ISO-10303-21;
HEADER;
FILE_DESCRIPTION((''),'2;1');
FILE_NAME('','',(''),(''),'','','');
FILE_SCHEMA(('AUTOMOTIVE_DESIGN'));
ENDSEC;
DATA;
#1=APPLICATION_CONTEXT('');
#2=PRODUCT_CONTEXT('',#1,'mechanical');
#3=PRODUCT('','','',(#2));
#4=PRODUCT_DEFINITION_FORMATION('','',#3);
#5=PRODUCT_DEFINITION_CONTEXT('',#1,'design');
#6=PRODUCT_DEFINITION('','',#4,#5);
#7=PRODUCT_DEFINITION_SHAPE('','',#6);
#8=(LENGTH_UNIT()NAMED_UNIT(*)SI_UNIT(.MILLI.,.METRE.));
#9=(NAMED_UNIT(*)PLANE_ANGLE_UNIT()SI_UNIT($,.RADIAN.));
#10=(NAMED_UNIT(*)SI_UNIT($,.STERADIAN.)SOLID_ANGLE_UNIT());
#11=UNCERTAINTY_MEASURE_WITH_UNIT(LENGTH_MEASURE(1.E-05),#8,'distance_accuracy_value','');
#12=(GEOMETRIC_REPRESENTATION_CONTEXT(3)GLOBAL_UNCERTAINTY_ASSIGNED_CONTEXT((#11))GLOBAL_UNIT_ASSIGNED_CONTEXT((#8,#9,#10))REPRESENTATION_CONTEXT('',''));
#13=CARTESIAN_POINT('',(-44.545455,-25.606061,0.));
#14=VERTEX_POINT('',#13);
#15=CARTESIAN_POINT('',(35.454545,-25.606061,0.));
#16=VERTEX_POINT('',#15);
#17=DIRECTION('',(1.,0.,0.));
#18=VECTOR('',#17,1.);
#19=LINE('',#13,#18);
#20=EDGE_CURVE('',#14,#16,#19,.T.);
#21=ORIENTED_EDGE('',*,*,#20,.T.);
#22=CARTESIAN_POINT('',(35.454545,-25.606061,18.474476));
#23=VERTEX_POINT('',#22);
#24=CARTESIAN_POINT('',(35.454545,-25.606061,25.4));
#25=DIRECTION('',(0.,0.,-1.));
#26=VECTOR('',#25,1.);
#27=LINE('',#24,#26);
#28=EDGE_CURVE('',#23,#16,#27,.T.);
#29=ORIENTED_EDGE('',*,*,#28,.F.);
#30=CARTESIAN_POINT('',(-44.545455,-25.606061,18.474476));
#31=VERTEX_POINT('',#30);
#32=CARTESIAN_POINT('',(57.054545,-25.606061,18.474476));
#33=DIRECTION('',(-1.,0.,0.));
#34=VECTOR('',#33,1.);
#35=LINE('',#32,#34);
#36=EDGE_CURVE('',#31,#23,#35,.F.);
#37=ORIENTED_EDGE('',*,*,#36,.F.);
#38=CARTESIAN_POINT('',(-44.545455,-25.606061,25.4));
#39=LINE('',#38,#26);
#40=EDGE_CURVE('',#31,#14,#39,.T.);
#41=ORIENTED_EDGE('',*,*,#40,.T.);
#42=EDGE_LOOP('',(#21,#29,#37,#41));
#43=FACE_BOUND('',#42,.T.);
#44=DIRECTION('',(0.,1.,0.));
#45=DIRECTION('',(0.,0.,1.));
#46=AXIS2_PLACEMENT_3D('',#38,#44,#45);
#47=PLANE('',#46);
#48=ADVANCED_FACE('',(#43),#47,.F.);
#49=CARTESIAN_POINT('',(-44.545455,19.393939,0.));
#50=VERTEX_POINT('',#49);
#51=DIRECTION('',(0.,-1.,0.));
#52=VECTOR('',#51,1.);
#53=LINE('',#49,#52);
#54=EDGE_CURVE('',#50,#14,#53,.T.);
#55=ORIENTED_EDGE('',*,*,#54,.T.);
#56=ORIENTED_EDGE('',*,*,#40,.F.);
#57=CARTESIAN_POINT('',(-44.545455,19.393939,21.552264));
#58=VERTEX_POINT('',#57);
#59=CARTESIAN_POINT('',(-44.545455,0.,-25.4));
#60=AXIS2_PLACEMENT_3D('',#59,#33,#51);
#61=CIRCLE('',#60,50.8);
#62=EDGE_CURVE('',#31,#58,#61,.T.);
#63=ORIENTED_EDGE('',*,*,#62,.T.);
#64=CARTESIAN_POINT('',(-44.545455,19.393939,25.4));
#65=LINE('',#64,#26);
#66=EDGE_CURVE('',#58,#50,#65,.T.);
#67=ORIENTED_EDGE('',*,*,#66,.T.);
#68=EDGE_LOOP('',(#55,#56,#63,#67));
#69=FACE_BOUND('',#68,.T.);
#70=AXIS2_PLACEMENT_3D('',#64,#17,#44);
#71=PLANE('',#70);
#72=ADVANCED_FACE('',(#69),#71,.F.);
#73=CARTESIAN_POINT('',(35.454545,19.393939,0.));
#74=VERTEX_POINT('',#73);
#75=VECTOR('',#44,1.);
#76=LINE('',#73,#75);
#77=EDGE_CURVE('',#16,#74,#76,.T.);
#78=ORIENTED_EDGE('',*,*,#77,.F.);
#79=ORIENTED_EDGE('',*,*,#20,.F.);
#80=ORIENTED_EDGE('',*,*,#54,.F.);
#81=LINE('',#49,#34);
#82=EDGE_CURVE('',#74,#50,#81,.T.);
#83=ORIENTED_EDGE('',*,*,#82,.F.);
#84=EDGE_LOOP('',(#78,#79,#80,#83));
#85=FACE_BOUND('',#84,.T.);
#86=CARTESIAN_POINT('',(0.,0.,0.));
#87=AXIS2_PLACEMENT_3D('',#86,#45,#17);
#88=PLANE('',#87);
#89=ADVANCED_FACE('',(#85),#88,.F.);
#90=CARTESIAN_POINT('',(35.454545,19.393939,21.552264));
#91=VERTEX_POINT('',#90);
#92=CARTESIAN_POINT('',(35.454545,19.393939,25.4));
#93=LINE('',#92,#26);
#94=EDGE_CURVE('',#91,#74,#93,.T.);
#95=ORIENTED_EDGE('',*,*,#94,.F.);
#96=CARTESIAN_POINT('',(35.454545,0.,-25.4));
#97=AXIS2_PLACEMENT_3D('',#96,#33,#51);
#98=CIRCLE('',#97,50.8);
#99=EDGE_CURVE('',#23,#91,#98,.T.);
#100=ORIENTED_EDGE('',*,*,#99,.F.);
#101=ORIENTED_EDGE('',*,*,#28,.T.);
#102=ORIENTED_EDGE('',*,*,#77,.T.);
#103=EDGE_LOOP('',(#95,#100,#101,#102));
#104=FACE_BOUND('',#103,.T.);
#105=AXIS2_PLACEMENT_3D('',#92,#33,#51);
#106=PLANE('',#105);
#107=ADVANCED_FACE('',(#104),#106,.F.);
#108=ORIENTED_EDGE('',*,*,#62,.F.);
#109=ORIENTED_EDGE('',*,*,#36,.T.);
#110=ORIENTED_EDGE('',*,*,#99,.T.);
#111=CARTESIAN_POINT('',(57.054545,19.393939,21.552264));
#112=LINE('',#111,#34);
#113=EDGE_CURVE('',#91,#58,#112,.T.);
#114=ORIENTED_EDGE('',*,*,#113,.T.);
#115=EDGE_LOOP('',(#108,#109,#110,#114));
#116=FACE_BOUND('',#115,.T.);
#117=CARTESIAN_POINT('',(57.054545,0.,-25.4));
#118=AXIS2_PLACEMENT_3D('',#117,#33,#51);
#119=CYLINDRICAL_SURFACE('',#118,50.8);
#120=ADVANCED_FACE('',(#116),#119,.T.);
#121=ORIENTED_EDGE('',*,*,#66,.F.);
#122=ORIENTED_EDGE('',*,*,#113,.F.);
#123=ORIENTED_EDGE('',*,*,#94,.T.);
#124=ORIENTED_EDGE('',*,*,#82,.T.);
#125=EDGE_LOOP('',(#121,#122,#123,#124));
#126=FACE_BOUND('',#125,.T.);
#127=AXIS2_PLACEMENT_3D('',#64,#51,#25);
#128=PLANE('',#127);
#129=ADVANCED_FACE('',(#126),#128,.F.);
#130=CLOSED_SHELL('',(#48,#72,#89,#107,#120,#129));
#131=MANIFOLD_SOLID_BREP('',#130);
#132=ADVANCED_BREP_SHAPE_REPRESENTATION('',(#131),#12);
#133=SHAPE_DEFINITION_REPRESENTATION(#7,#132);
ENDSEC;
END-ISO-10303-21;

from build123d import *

# Parameters (mm, degrees)
SKETCH1_W           = 80
SKETCH1_H           = 45
BOSS_EXTRUDE1_DEPTH = 25.4
CUT_EXTRUDE5_DEPTH  = 101.6


with BuildPart() as part:
    # Sketch1 → Boss-Extrude1 (new body)
    with BuildSketch(Plane.XY):
        with Locations((-4.545454545, -3.106060606)):
            Rectangle(SKETCH1_W, SKETCH1_H)
    extrude(amount=BOSS_EXTRUDE1_DEPTH)

    # Sketch2 → Cut-Extrude5 (cut)
    with BuildSketch(Plane.ZY.offset(44.545454545)):
        with BuildLine():
            ThreePointArc((21.552264214, 19.393939394), (24.428781954, 9.885974356), (25.4, 0))
            Line((25.4, 0), (25.4, 19.393939394))
            Line((25.4, 19.393939394), (21.552264214, 19.393939394))
        make_face()
        with BuildLine():
            Line((25.4, -25.606060606), (25.4, 0))
            ThreePointArc((25.4, 0), (23.638063736, -13.263042825), (18.474476182, -25.606060606))
            Line((18.474476182, -25.606060606), (25.4, -25.606060606))
        make_face()
    extrude(amount=-CUT_EXTRUDE5_DEPTH, mode=Mode.SUBTRACT)


solid = part.part
